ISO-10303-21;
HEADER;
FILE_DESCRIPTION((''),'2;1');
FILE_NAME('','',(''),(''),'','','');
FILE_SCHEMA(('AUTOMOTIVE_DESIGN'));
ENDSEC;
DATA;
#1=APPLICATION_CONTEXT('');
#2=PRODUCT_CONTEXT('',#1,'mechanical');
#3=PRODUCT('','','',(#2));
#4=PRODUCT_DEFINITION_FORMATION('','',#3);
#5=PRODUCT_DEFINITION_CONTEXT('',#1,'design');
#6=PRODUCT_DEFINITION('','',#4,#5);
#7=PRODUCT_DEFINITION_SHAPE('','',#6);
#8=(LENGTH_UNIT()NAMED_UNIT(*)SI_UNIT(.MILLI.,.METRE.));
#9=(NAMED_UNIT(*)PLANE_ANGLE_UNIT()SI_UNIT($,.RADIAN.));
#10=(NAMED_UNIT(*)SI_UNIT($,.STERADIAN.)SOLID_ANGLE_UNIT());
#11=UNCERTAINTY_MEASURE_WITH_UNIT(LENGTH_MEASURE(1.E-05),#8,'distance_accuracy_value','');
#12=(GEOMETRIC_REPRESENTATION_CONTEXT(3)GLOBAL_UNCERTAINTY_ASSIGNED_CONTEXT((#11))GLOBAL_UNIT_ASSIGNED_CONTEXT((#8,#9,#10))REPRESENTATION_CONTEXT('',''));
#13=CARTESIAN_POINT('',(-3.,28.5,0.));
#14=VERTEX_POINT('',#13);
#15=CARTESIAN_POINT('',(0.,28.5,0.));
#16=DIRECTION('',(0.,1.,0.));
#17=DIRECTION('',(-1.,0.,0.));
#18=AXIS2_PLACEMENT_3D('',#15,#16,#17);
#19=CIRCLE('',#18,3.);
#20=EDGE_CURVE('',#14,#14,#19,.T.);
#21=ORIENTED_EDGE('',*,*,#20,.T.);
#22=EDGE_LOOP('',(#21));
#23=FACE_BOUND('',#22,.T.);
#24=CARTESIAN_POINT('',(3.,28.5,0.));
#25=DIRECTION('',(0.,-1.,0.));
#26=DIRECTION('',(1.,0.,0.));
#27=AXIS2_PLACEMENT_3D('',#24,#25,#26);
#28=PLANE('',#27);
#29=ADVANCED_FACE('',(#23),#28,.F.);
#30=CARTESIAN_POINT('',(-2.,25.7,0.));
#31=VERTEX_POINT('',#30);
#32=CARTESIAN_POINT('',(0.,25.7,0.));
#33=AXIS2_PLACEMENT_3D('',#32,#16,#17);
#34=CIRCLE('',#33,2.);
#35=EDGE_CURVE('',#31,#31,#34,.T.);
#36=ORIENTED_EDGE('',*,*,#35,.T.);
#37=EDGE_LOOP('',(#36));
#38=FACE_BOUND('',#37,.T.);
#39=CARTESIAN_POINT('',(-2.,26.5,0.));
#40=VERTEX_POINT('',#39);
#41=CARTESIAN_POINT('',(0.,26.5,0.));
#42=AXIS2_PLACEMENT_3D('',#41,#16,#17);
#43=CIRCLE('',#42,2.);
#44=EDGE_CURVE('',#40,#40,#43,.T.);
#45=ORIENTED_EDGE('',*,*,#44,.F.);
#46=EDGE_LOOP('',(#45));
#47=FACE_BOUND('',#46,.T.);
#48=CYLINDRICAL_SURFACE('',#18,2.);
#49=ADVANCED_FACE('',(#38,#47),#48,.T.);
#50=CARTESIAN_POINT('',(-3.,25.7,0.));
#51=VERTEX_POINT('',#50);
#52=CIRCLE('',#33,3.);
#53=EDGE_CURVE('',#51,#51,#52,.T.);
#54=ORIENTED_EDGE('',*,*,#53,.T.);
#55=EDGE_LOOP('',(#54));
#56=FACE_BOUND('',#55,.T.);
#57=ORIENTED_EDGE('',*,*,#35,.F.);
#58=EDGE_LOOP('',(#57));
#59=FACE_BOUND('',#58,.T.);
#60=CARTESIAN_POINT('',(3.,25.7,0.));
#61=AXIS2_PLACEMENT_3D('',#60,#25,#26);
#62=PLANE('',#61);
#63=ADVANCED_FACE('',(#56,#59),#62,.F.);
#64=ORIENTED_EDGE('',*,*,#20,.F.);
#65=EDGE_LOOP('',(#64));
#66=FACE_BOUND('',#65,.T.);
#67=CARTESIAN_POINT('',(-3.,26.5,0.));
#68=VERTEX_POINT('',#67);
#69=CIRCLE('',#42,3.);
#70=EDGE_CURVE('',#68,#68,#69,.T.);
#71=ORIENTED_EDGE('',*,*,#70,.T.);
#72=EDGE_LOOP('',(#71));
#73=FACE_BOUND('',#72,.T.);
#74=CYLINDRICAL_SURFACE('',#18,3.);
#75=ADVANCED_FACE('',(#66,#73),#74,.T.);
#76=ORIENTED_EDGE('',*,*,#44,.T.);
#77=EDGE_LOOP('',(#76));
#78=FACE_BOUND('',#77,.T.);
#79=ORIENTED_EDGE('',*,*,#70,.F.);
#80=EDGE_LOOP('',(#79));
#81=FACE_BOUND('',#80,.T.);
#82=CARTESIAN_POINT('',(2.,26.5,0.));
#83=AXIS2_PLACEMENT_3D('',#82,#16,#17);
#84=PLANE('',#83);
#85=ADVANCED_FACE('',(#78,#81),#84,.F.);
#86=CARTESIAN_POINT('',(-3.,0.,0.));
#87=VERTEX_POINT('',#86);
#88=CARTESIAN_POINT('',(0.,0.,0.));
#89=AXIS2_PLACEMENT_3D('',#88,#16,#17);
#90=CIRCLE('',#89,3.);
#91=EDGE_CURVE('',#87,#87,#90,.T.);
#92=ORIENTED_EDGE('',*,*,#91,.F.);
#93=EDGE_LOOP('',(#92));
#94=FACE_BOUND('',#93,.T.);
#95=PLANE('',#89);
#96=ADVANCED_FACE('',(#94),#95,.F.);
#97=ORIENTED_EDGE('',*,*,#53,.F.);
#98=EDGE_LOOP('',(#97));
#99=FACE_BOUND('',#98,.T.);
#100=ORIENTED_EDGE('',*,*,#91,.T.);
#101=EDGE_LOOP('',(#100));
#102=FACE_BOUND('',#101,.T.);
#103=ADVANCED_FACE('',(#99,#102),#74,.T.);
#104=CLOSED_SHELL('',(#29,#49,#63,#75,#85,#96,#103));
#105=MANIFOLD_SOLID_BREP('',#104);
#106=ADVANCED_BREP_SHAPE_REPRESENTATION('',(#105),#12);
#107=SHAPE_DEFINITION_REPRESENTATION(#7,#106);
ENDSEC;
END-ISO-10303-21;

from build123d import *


with BuildPart() as part:
    # Sketch1 → Revolve1 (revolve)
    with BuildSketch(Plane.XY, mode=Mode.PRIVATE) as revolve1_sk:
        Polygon((3, 0), (3, 25.7), (2, 25.7), (2, 26.5), (3, 26.5), (3, 28.5), (0, 28.5), (0, 0), align=None)
    revolve(revolve1_sk.sketch.rotate(Axis((0, 28.5, 0), (0, -1, 0)), 180), axis=Axis((0, 28.5, 0), (0, -1, 0)))


solid = part.part
